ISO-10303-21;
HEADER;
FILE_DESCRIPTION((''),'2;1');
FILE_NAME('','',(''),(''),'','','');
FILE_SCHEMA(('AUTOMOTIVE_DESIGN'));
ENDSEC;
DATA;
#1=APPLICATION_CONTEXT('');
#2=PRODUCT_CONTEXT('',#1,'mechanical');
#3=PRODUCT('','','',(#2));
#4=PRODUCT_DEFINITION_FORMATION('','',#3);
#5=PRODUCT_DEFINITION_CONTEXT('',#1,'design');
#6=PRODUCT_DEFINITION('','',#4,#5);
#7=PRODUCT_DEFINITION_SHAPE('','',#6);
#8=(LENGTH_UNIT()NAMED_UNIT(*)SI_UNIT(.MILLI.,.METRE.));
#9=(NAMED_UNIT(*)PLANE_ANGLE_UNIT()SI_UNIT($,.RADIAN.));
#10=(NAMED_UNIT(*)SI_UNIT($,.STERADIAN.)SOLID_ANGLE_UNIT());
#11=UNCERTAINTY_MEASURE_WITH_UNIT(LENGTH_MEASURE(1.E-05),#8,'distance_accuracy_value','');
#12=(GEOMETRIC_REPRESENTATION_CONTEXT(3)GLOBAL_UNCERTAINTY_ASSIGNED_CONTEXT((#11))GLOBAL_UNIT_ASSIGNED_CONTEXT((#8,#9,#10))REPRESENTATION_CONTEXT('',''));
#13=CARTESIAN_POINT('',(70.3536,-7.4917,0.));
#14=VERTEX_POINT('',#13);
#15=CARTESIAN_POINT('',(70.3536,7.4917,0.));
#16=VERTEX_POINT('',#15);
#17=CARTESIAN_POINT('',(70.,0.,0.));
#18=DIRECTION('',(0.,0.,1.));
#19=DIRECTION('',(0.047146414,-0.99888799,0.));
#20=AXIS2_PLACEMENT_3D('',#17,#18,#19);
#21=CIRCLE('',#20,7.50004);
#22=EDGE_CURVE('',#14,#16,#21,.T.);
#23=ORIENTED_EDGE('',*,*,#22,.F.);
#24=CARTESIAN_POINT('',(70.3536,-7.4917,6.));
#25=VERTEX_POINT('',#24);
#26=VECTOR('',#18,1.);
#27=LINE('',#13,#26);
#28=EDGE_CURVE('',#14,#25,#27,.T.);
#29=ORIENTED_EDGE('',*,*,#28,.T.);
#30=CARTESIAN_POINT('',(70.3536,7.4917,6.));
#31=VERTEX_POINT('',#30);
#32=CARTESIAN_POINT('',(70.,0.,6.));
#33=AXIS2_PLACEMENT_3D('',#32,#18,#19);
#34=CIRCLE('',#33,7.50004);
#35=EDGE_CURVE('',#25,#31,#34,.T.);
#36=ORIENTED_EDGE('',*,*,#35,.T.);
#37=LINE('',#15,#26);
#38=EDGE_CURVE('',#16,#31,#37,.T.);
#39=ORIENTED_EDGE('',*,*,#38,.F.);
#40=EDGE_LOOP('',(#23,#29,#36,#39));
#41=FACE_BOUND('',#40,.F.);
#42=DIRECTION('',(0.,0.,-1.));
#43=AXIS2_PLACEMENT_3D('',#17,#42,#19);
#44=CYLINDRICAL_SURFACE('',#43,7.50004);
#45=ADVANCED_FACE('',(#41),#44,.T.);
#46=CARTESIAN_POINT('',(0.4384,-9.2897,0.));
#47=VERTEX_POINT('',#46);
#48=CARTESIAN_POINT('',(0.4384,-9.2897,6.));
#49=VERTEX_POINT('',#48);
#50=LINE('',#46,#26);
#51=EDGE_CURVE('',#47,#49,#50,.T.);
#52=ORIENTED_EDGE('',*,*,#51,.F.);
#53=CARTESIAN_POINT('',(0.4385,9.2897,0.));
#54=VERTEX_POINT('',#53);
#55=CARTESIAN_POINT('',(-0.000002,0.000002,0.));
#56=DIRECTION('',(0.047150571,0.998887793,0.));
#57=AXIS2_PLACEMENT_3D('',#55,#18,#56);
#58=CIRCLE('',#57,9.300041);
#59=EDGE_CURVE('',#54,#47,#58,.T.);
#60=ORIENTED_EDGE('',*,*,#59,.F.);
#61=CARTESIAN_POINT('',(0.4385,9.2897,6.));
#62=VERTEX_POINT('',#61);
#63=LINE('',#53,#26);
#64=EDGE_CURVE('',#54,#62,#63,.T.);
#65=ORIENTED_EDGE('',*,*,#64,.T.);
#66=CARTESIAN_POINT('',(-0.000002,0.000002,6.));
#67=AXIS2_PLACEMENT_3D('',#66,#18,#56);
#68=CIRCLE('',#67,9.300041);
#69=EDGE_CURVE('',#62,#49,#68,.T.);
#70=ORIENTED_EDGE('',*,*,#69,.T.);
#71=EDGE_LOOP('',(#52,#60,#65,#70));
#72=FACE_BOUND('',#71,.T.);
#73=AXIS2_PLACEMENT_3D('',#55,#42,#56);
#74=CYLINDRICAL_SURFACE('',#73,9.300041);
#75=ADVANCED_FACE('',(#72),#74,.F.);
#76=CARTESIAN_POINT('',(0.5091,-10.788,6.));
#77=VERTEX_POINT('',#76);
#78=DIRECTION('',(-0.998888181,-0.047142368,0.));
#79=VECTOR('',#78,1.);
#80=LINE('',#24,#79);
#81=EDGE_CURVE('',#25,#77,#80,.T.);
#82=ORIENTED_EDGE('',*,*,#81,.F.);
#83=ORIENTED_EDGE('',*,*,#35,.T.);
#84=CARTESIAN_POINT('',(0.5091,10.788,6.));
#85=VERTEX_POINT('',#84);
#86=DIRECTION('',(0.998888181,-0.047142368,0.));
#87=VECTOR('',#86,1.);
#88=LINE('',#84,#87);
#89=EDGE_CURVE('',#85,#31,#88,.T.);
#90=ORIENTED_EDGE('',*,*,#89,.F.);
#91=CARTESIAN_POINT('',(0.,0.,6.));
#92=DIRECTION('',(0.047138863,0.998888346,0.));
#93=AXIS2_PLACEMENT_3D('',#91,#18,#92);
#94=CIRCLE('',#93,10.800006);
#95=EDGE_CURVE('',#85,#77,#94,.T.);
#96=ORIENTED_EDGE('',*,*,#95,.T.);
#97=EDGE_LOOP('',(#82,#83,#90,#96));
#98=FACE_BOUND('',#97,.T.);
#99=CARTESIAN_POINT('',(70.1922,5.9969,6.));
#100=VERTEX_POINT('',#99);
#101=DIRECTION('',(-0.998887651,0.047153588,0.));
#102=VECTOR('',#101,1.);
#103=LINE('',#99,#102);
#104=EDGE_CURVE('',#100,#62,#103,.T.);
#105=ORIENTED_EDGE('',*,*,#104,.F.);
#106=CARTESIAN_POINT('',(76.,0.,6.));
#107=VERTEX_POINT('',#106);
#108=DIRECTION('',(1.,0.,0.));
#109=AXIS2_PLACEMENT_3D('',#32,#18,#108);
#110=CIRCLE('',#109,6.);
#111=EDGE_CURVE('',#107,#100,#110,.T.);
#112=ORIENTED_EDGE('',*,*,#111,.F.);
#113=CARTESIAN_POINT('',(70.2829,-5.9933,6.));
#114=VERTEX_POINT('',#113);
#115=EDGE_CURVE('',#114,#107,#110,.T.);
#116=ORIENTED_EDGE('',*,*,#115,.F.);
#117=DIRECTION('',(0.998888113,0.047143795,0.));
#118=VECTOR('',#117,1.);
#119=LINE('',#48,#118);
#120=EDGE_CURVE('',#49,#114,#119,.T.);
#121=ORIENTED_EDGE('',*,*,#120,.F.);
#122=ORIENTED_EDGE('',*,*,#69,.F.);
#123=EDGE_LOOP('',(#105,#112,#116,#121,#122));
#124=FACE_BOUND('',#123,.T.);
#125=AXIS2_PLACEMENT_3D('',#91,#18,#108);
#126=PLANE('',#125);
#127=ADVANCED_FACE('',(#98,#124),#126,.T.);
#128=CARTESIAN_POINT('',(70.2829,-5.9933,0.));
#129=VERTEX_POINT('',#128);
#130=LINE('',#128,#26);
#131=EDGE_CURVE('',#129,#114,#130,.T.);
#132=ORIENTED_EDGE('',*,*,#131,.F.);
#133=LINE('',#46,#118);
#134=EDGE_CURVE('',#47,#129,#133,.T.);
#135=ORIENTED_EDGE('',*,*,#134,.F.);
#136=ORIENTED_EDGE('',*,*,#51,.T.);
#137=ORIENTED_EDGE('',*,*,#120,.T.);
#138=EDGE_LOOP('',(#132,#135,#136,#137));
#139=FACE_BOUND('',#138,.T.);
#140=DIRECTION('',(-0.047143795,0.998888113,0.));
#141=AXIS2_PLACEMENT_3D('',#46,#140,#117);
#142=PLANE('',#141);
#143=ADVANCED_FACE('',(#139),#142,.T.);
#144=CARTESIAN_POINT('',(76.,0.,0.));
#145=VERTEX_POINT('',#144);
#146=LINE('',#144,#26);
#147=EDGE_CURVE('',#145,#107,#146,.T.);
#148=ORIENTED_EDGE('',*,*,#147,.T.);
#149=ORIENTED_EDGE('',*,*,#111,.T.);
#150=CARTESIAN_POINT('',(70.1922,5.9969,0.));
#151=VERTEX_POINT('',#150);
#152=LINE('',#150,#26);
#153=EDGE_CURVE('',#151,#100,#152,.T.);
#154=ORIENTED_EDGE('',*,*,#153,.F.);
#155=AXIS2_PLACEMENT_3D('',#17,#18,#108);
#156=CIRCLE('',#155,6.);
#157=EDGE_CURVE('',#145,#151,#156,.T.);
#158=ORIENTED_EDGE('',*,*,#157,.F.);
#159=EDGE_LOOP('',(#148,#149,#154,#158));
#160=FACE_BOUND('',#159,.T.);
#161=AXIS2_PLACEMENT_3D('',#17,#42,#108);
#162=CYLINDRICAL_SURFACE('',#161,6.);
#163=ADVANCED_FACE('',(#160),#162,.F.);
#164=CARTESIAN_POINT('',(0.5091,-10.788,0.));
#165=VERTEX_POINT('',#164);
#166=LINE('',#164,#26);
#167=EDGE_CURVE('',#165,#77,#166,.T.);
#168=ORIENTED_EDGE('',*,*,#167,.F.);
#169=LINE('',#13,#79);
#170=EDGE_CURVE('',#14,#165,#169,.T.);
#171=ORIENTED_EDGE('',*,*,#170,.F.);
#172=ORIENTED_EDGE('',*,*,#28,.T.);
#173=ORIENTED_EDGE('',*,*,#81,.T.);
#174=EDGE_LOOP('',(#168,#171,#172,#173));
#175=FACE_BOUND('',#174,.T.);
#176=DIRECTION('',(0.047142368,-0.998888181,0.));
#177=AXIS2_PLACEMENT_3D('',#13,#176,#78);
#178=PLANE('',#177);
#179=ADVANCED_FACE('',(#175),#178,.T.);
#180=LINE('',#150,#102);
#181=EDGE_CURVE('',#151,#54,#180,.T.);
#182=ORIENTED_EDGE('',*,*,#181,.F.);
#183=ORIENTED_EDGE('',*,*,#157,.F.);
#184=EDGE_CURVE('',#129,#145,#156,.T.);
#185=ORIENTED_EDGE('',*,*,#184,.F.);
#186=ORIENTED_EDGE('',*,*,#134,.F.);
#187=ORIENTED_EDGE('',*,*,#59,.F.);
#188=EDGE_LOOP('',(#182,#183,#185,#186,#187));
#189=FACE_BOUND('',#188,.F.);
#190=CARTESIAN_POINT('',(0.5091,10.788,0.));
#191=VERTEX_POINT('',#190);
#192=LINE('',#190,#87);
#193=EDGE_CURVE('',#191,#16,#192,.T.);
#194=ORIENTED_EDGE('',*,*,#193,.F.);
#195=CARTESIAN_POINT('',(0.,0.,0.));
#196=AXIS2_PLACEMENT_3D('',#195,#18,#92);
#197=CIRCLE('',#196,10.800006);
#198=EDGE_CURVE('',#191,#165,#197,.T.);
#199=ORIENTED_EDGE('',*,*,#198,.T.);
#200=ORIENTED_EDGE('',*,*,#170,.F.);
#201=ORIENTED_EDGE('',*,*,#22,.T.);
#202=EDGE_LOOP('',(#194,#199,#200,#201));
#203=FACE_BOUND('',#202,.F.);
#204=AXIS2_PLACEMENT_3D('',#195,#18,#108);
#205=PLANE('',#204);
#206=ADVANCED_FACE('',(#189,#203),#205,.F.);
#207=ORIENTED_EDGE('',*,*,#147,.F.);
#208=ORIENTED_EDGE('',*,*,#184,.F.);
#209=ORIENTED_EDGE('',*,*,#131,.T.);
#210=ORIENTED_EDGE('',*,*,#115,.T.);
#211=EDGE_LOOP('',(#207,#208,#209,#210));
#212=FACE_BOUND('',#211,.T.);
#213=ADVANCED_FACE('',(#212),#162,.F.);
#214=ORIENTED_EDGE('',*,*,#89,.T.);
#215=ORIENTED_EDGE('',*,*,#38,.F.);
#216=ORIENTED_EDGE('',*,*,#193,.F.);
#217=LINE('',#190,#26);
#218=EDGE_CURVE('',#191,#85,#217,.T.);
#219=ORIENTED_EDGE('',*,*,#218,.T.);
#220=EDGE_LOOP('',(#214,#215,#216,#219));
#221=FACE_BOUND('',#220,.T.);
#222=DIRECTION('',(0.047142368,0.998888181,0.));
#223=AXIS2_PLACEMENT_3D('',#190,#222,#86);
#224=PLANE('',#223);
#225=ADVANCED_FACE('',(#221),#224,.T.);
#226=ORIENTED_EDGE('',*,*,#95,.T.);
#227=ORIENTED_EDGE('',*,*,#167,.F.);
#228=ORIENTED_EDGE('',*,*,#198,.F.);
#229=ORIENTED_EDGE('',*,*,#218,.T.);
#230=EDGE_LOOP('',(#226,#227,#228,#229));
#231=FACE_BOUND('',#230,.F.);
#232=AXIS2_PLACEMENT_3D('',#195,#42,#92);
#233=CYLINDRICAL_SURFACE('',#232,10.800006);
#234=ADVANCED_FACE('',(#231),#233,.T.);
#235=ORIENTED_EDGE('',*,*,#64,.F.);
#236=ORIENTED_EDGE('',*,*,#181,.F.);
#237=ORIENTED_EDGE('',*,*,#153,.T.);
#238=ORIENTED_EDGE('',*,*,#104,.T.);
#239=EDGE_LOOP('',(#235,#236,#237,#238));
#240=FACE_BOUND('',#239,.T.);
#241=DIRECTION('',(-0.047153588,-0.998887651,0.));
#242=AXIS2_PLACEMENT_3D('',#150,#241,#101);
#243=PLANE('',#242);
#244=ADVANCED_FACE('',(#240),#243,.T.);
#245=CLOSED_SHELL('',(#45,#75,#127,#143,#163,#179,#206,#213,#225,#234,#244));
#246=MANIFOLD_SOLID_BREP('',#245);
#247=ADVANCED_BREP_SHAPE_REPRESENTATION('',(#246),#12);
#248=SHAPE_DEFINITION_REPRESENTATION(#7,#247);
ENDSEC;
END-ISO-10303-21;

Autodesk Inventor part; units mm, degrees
ref_plane "YZ Plane" through (0, 0, 0) normal (1, 0, 0) x (0, 1, 0)
ref_plane "XZ Plane" through (0, 0, 0) normal (0, 1, 0) x (-1, 0, 0)
ref_plane "XY Plane" through (0, 0, 0) normal (0, 0, 1) x (1, 0, 0)
sketch "スケッチ1" plane through (0, 0, 0) normal (0, 0, 1) x (1, 0, 0)
  arc A0 (0.4385, 9.2897) -> (0.4384, -9.2897) centre (0, 0) ccw
  arc A1 (0.5091, 10.788) -> (0.5091, -10.788) centre (0, 0) ccw
  arc A2 (70.3536, -7.4917) -> (70.3536, 7.4917) centre (70, 0) ccw
  line L0 (0.5091, 10.788) -> (70.3536, 7.4917)
  line L1 (70.3536, -7.4917) -> (0.5091, -10.788)
  line L2 (70.1922, 5.9969) -> (0.4385, 9.2897)
  circle A3 centre (70, 0) radius 6
  line L3 (0.4384, -9.2897) -> (70.2829, -5.9933)
  point P0 (1.0111, -13.9634)
  point P1 (90.5417, -7.4804)
  point P2 (90.5417, 7.4804)
  point P3 (1.0111, 13.9634)
  point P4 (0.9028, 12.4674)
  dimension "d0" = 18.6
  dimension "d2" = 70
  dimension "d3" = 1.5
  dimension "d7" = 12
  dimension "d8" = 1.5
extrude "押し出し1" add sketch "スケッチ1" along normal blind 6
properties part number "Bed_Unit_Belt" material "ゴム"
